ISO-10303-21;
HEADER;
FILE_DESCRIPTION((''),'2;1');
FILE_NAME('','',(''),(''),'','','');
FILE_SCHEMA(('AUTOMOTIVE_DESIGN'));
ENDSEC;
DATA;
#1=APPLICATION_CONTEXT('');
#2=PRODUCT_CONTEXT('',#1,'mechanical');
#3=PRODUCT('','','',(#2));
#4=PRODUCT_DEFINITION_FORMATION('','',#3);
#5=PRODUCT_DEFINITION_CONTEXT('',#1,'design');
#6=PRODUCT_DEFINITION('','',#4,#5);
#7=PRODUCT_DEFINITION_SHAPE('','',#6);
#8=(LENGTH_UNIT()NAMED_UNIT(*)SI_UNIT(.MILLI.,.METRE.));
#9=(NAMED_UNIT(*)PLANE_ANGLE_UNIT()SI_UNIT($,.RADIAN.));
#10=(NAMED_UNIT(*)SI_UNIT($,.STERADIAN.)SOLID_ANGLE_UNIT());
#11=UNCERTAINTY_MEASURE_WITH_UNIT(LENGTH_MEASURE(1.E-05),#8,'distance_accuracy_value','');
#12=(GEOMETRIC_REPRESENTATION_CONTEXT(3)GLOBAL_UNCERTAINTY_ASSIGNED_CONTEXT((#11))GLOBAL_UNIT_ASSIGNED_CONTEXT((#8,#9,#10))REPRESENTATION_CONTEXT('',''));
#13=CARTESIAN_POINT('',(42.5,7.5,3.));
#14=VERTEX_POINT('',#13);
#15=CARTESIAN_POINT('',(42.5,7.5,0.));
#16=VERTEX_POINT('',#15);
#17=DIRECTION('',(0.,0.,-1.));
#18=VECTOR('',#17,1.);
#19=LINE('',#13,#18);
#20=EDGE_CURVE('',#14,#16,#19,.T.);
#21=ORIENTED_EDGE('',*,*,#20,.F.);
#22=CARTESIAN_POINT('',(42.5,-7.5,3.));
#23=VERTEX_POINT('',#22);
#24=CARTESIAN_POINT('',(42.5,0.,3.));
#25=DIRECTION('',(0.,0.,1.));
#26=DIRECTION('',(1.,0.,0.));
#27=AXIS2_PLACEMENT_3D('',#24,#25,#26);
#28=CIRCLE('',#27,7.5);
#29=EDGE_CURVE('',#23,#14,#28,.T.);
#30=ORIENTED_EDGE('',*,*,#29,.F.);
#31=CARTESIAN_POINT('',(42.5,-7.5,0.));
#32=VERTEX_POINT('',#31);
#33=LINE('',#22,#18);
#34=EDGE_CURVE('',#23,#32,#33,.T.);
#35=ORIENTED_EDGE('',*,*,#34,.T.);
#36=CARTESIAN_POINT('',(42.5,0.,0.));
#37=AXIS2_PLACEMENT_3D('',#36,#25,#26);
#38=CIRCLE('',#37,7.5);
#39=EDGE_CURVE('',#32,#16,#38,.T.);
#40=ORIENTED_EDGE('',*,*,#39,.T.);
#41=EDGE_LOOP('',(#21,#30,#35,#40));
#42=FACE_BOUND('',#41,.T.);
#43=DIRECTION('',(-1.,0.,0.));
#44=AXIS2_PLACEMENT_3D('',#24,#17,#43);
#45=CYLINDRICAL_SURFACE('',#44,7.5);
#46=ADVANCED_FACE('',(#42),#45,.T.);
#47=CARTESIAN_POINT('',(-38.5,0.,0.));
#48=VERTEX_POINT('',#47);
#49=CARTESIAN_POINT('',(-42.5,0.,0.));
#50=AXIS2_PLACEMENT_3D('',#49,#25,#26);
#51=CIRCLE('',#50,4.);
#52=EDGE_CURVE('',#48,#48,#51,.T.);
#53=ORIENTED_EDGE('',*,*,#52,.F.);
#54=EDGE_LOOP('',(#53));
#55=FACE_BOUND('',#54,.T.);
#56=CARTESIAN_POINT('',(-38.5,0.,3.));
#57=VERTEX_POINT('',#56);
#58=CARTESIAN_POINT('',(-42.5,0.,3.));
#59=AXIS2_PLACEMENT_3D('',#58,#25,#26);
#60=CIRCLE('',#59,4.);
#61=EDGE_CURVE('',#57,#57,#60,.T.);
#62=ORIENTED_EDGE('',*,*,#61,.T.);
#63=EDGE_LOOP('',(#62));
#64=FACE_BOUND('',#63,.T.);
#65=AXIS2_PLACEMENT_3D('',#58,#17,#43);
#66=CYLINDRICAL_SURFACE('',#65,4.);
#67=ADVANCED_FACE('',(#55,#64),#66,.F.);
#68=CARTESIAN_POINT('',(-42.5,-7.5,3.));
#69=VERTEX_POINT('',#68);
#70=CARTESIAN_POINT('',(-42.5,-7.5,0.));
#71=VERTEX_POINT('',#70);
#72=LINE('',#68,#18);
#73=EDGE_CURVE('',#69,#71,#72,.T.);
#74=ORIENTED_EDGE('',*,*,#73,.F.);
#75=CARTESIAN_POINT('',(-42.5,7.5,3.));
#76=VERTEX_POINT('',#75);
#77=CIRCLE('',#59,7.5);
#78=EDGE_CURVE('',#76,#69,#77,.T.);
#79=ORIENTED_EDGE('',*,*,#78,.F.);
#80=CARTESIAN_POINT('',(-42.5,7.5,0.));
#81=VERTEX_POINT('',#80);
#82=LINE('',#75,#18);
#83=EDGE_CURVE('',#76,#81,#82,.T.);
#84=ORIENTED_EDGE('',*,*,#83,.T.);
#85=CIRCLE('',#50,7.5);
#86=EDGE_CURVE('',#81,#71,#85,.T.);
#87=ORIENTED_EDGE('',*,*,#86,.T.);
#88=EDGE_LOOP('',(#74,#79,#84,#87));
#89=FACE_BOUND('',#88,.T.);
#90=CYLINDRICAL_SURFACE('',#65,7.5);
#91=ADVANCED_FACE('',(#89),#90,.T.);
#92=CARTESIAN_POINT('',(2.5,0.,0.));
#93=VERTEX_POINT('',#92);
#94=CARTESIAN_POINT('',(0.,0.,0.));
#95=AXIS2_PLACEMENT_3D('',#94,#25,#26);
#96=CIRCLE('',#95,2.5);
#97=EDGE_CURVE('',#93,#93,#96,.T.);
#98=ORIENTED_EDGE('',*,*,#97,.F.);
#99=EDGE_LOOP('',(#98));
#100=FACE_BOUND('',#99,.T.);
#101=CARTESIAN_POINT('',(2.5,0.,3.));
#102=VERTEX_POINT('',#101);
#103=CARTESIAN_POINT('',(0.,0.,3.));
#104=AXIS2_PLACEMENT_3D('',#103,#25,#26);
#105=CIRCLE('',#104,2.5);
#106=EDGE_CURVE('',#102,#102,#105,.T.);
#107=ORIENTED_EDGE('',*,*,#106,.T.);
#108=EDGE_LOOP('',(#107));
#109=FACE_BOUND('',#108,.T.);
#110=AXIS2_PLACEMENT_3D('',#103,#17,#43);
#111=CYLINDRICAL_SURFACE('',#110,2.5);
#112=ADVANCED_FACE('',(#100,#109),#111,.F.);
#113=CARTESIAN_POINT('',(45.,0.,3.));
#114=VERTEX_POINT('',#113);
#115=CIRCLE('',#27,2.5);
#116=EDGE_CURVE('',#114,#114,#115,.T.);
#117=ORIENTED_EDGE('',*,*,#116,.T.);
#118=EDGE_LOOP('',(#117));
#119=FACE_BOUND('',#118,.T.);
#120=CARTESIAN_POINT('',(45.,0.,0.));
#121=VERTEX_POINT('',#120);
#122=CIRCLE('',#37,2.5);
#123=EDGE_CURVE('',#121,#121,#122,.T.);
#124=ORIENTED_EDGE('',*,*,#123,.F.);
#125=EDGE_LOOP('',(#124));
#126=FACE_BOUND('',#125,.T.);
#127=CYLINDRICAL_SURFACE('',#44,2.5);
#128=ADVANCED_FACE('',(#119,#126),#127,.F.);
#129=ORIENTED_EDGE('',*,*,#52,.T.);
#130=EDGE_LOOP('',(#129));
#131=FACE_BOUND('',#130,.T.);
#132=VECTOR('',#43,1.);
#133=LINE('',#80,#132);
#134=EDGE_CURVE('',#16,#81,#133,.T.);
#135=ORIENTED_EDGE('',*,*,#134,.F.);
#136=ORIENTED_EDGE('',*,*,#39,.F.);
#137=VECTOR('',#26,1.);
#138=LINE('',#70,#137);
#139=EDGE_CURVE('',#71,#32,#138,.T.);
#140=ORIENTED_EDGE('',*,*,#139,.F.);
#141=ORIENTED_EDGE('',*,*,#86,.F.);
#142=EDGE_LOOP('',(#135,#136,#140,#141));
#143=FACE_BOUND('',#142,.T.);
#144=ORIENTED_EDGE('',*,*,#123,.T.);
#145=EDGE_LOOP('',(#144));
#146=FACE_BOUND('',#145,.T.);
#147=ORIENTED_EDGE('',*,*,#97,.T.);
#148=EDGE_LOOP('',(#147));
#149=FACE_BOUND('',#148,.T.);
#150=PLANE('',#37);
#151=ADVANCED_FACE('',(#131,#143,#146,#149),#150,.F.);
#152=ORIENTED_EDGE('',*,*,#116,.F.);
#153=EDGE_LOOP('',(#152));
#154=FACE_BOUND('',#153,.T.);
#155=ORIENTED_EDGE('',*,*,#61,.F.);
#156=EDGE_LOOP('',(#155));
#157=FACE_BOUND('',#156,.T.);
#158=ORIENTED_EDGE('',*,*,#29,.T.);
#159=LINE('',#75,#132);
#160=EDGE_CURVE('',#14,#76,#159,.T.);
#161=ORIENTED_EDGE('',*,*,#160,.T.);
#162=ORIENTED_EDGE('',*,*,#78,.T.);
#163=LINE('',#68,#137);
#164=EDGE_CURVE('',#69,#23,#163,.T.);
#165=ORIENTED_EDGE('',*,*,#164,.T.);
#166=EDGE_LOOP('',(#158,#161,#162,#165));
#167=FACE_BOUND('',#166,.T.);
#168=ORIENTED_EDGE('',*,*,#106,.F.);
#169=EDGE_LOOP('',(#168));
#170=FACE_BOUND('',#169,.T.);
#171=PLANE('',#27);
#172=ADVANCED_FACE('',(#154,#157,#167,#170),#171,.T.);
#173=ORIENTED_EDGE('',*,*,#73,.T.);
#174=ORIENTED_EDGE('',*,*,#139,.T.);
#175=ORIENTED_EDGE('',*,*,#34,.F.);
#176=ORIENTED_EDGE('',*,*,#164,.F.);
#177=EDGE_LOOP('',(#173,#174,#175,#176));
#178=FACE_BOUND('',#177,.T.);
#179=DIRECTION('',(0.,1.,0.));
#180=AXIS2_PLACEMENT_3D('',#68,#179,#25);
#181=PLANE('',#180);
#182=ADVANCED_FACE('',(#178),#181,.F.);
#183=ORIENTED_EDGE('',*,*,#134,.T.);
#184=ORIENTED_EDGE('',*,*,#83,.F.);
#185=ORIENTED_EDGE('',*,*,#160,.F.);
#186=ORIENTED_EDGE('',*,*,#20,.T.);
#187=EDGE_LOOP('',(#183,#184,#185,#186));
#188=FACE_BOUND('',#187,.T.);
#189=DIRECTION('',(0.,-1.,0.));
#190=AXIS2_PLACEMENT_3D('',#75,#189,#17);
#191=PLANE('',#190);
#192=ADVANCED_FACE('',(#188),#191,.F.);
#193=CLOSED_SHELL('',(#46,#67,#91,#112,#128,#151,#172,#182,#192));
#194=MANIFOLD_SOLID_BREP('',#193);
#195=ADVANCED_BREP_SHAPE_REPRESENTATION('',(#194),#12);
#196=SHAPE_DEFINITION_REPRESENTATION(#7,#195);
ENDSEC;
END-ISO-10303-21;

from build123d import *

# Parameters (mm, degrees)
SKETCH_1_R      = 4
SKETCH_1_R_2    = 2.5
EXTRUDE_1_DEPTH = 3


with BuildPart() as part:
    # 草图1 → 凸台-拉伸1 (new body)
    with BuildSketch(Plane.XY):
        with BuildLine():
            Line((-42.5, -7.5), (42.5, -7.5))
            ThreePointArc((42.5, -7.5), (50, 0), (42.5, 7.5))
            Line((42.5, 7.5), (-42.5, 7.5))
            ThreePointArc((-42.5, 7.5), (-50, 0), (-42.5, -7.5))
        make_face()
        with Locations((-42.5, 0)):
            Circle(SKETCH_1_R, mode=Mode.SUBTRACT)
        with Locations((42.5, 0)):
            Circle(SKETCH_1_R_2, mode=Mode.SUBTRACT)
        Circle(SKETCH_1_R_2, mode=Mode.SUBTRACT)
    extrude(amount=EXTRUDE_1_DEPTH)


solid = part.part
